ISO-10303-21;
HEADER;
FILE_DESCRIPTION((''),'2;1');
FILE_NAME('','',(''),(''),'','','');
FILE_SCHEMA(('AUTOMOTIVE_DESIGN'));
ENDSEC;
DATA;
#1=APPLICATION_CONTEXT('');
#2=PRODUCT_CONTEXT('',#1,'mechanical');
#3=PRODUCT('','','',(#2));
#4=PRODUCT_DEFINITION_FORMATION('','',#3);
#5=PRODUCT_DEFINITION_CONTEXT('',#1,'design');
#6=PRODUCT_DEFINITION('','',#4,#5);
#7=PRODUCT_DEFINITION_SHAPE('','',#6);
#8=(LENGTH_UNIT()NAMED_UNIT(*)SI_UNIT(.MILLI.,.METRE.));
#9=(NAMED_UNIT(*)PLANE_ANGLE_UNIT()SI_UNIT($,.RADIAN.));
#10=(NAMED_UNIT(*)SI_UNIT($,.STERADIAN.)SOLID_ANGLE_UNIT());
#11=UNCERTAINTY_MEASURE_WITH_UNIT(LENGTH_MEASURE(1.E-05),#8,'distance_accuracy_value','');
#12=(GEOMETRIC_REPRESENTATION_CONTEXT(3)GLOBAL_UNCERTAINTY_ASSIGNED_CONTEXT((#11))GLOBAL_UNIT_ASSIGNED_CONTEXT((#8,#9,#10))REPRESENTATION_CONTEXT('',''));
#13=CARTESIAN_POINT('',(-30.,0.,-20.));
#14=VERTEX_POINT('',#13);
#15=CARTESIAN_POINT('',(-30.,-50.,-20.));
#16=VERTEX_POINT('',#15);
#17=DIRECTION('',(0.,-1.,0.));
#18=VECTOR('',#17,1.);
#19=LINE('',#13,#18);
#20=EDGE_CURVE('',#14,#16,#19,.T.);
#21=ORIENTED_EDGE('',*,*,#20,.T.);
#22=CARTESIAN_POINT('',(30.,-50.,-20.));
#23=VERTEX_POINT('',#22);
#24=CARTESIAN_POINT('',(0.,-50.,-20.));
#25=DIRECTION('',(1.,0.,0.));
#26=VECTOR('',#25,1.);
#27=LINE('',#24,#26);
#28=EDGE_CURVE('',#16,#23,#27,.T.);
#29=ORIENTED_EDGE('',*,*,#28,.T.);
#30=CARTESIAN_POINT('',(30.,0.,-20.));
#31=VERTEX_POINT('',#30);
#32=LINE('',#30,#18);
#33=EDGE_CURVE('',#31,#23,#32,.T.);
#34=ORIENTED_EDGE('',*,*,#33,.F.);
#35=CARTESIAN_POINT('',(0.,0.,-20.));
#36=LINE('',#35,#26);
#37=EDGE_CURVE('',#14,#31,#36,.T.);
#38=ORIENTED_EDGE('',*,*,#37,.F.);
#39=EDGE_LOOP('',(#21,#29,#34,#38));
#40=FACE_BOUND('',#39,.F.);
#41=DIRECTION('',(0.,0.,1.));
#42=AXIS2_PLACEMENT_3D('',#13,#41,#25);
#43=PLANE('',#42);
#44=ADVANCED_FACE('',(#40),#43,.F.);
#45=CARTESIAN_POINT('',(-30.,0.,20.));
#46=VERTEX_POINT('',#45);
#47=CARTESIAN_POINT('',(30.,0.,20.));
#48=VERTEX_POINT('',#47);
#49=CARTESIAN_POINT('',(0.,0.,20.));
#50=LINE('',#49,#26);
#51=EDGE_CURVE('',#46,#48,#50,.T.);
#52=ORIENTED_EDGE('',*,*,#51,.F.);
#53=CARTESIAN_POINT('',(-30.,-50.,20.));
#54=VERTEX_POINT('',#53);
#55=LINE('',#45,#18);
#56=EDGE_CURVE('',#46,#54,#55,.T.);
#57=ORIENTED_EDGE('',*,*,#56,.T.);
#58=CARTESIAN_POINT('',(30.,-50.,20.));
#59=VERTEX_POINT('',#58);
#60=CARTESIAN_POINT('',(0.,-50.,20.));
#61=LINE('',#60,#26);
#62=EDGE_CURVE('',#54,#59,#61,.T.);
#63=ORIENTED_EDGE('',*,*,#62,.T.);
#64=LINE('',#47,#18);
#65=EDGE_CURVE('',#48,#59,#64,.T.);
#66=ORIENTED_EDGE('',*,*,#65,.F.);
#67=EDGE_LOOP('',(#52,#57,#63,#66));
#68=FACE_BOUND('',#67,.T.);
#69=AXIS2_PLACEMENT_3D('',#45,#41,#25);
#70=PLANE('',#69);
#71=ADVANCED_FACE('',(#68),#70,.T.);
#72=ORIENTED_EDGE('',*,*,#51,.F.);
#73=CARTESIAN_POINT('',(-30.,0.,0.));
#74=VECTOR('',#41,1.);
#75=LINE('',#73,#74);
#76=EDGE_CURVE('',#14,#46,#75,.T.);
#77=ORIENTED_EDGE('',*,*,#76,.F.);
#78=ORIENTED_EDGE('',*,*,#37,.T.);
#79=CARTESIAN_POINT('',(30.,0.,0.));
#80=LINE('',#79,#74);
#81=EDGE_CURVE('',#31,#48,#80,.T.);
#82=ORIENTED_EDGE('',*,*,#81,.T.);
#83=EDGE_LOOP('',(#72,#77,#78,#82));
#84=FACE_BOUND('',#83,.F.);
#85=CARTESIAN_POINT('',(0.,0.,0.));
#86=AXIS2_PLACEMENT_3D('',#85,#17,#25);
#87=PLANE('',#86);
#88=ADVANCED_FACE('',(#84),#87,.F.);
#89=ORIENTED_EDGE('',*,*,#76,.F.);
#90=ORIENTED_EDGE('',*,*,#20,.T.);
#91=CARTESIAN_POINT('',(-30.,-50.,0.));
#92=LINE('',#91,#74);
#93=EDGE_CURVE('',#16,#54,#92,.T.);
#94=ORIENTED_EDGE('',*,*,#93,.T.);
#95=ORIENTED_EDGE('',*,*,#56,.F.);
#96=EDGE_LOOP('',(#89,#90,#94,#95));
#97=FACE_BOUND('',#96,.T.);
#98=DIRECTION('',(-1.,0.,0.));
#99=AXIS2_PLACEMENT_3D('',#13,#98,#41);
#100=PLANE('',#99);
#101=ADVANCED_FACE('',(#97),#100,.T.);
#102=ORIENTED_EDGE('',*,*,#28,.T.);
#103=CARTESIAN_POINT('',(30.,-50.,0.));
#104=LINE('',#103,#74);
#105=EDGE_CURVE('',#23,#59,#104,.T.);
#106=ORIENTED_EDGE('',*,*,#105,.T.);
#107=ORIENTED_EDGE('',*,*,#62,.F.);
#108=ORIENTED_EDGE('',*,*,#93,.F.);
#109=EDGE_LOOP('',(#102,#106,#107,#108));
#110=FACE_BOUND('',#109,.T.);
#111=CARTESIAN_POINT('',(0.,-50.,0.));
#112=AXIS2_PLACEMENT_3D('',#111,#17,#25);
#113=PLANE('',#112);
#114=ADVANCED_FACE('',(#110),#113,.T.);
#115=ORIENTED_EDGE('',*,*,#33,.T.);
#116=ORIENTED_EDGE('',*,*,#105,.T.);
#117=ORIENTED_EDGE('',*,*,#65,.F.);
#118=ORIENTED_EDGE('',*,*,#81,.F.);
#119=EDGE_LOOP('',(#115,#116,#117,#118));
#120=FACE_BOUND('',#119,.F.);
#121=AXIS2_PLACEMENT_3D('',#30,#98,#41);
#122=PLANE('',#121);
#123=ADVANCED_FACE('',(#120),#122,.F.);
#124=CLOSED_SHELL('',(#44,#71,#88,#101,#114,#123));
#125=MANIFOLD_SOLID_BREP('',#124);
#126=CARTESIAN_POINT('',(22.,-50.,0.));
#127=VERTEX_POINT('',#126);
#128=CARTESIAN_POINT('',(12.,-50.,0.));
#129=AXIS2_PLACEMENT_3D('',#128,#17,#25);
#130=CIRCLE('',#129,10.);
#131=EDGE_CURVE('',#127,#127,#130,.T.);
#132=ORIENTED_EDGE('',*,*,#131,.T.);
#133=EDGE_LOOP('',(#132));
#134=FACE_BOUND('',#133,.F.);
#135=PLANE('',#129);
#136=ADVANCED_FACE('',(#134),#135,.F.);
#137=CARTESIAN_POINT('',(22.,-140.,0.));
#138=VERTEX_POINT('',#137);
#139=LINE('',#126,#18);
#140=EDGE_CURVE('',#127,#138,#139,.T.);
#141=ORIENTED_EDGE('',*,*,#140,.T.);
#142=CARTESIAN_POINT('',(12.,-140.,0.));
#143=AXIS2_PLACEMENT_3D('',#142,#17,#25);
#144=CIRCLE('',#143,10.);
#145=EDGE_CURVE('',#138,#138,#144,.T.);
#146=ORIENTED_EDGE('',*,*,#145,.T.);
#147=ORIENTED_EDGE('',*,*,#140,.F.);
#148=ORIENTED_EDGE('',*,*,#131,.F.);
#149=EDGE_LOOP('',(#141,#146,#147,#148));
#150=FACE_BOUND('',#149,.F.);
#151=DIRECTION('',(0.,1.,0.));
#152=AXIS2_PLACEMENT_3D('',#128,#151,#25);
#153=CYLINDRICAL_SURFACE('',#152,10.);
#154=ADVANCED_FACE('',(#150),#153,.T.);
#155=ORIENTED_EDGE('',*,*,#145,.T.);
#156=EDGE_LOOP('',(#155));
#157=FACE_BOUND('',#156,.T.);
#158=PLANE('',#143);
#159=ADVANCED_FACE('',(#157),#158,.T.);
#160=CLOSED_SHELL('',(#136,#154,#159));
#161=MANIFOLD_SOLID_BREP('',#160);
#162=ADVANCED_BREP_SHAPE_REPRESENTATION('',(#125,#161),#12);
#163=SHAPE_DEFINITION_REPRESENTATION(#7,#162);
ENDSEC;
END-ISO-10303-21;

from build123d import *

# Parameters (mm, degrees)
F0_W     = 60
F0_H     = 40
F1_DEPTH = 50
F2_R     = 10
F3_DEPTH = 90


with BuildPart() as f1:
    # F0 (on Front) → F1 (new body)
    with BuildSketch(Plane.XZ):
        Rectangle(F0_W, F0_H)
    extrude(amount=F1_DEPTH)


with BuildPart() as f3:
    # F2 (on face) → F3 (new body)
    with BuildSketch(Plane.XZ.offset(50)):
        with Locations((12, 0)):
            Circle(F2_R)
    extrude(amount=F3_DEPTH)


solid = Compound([f1.part, f3.part])
